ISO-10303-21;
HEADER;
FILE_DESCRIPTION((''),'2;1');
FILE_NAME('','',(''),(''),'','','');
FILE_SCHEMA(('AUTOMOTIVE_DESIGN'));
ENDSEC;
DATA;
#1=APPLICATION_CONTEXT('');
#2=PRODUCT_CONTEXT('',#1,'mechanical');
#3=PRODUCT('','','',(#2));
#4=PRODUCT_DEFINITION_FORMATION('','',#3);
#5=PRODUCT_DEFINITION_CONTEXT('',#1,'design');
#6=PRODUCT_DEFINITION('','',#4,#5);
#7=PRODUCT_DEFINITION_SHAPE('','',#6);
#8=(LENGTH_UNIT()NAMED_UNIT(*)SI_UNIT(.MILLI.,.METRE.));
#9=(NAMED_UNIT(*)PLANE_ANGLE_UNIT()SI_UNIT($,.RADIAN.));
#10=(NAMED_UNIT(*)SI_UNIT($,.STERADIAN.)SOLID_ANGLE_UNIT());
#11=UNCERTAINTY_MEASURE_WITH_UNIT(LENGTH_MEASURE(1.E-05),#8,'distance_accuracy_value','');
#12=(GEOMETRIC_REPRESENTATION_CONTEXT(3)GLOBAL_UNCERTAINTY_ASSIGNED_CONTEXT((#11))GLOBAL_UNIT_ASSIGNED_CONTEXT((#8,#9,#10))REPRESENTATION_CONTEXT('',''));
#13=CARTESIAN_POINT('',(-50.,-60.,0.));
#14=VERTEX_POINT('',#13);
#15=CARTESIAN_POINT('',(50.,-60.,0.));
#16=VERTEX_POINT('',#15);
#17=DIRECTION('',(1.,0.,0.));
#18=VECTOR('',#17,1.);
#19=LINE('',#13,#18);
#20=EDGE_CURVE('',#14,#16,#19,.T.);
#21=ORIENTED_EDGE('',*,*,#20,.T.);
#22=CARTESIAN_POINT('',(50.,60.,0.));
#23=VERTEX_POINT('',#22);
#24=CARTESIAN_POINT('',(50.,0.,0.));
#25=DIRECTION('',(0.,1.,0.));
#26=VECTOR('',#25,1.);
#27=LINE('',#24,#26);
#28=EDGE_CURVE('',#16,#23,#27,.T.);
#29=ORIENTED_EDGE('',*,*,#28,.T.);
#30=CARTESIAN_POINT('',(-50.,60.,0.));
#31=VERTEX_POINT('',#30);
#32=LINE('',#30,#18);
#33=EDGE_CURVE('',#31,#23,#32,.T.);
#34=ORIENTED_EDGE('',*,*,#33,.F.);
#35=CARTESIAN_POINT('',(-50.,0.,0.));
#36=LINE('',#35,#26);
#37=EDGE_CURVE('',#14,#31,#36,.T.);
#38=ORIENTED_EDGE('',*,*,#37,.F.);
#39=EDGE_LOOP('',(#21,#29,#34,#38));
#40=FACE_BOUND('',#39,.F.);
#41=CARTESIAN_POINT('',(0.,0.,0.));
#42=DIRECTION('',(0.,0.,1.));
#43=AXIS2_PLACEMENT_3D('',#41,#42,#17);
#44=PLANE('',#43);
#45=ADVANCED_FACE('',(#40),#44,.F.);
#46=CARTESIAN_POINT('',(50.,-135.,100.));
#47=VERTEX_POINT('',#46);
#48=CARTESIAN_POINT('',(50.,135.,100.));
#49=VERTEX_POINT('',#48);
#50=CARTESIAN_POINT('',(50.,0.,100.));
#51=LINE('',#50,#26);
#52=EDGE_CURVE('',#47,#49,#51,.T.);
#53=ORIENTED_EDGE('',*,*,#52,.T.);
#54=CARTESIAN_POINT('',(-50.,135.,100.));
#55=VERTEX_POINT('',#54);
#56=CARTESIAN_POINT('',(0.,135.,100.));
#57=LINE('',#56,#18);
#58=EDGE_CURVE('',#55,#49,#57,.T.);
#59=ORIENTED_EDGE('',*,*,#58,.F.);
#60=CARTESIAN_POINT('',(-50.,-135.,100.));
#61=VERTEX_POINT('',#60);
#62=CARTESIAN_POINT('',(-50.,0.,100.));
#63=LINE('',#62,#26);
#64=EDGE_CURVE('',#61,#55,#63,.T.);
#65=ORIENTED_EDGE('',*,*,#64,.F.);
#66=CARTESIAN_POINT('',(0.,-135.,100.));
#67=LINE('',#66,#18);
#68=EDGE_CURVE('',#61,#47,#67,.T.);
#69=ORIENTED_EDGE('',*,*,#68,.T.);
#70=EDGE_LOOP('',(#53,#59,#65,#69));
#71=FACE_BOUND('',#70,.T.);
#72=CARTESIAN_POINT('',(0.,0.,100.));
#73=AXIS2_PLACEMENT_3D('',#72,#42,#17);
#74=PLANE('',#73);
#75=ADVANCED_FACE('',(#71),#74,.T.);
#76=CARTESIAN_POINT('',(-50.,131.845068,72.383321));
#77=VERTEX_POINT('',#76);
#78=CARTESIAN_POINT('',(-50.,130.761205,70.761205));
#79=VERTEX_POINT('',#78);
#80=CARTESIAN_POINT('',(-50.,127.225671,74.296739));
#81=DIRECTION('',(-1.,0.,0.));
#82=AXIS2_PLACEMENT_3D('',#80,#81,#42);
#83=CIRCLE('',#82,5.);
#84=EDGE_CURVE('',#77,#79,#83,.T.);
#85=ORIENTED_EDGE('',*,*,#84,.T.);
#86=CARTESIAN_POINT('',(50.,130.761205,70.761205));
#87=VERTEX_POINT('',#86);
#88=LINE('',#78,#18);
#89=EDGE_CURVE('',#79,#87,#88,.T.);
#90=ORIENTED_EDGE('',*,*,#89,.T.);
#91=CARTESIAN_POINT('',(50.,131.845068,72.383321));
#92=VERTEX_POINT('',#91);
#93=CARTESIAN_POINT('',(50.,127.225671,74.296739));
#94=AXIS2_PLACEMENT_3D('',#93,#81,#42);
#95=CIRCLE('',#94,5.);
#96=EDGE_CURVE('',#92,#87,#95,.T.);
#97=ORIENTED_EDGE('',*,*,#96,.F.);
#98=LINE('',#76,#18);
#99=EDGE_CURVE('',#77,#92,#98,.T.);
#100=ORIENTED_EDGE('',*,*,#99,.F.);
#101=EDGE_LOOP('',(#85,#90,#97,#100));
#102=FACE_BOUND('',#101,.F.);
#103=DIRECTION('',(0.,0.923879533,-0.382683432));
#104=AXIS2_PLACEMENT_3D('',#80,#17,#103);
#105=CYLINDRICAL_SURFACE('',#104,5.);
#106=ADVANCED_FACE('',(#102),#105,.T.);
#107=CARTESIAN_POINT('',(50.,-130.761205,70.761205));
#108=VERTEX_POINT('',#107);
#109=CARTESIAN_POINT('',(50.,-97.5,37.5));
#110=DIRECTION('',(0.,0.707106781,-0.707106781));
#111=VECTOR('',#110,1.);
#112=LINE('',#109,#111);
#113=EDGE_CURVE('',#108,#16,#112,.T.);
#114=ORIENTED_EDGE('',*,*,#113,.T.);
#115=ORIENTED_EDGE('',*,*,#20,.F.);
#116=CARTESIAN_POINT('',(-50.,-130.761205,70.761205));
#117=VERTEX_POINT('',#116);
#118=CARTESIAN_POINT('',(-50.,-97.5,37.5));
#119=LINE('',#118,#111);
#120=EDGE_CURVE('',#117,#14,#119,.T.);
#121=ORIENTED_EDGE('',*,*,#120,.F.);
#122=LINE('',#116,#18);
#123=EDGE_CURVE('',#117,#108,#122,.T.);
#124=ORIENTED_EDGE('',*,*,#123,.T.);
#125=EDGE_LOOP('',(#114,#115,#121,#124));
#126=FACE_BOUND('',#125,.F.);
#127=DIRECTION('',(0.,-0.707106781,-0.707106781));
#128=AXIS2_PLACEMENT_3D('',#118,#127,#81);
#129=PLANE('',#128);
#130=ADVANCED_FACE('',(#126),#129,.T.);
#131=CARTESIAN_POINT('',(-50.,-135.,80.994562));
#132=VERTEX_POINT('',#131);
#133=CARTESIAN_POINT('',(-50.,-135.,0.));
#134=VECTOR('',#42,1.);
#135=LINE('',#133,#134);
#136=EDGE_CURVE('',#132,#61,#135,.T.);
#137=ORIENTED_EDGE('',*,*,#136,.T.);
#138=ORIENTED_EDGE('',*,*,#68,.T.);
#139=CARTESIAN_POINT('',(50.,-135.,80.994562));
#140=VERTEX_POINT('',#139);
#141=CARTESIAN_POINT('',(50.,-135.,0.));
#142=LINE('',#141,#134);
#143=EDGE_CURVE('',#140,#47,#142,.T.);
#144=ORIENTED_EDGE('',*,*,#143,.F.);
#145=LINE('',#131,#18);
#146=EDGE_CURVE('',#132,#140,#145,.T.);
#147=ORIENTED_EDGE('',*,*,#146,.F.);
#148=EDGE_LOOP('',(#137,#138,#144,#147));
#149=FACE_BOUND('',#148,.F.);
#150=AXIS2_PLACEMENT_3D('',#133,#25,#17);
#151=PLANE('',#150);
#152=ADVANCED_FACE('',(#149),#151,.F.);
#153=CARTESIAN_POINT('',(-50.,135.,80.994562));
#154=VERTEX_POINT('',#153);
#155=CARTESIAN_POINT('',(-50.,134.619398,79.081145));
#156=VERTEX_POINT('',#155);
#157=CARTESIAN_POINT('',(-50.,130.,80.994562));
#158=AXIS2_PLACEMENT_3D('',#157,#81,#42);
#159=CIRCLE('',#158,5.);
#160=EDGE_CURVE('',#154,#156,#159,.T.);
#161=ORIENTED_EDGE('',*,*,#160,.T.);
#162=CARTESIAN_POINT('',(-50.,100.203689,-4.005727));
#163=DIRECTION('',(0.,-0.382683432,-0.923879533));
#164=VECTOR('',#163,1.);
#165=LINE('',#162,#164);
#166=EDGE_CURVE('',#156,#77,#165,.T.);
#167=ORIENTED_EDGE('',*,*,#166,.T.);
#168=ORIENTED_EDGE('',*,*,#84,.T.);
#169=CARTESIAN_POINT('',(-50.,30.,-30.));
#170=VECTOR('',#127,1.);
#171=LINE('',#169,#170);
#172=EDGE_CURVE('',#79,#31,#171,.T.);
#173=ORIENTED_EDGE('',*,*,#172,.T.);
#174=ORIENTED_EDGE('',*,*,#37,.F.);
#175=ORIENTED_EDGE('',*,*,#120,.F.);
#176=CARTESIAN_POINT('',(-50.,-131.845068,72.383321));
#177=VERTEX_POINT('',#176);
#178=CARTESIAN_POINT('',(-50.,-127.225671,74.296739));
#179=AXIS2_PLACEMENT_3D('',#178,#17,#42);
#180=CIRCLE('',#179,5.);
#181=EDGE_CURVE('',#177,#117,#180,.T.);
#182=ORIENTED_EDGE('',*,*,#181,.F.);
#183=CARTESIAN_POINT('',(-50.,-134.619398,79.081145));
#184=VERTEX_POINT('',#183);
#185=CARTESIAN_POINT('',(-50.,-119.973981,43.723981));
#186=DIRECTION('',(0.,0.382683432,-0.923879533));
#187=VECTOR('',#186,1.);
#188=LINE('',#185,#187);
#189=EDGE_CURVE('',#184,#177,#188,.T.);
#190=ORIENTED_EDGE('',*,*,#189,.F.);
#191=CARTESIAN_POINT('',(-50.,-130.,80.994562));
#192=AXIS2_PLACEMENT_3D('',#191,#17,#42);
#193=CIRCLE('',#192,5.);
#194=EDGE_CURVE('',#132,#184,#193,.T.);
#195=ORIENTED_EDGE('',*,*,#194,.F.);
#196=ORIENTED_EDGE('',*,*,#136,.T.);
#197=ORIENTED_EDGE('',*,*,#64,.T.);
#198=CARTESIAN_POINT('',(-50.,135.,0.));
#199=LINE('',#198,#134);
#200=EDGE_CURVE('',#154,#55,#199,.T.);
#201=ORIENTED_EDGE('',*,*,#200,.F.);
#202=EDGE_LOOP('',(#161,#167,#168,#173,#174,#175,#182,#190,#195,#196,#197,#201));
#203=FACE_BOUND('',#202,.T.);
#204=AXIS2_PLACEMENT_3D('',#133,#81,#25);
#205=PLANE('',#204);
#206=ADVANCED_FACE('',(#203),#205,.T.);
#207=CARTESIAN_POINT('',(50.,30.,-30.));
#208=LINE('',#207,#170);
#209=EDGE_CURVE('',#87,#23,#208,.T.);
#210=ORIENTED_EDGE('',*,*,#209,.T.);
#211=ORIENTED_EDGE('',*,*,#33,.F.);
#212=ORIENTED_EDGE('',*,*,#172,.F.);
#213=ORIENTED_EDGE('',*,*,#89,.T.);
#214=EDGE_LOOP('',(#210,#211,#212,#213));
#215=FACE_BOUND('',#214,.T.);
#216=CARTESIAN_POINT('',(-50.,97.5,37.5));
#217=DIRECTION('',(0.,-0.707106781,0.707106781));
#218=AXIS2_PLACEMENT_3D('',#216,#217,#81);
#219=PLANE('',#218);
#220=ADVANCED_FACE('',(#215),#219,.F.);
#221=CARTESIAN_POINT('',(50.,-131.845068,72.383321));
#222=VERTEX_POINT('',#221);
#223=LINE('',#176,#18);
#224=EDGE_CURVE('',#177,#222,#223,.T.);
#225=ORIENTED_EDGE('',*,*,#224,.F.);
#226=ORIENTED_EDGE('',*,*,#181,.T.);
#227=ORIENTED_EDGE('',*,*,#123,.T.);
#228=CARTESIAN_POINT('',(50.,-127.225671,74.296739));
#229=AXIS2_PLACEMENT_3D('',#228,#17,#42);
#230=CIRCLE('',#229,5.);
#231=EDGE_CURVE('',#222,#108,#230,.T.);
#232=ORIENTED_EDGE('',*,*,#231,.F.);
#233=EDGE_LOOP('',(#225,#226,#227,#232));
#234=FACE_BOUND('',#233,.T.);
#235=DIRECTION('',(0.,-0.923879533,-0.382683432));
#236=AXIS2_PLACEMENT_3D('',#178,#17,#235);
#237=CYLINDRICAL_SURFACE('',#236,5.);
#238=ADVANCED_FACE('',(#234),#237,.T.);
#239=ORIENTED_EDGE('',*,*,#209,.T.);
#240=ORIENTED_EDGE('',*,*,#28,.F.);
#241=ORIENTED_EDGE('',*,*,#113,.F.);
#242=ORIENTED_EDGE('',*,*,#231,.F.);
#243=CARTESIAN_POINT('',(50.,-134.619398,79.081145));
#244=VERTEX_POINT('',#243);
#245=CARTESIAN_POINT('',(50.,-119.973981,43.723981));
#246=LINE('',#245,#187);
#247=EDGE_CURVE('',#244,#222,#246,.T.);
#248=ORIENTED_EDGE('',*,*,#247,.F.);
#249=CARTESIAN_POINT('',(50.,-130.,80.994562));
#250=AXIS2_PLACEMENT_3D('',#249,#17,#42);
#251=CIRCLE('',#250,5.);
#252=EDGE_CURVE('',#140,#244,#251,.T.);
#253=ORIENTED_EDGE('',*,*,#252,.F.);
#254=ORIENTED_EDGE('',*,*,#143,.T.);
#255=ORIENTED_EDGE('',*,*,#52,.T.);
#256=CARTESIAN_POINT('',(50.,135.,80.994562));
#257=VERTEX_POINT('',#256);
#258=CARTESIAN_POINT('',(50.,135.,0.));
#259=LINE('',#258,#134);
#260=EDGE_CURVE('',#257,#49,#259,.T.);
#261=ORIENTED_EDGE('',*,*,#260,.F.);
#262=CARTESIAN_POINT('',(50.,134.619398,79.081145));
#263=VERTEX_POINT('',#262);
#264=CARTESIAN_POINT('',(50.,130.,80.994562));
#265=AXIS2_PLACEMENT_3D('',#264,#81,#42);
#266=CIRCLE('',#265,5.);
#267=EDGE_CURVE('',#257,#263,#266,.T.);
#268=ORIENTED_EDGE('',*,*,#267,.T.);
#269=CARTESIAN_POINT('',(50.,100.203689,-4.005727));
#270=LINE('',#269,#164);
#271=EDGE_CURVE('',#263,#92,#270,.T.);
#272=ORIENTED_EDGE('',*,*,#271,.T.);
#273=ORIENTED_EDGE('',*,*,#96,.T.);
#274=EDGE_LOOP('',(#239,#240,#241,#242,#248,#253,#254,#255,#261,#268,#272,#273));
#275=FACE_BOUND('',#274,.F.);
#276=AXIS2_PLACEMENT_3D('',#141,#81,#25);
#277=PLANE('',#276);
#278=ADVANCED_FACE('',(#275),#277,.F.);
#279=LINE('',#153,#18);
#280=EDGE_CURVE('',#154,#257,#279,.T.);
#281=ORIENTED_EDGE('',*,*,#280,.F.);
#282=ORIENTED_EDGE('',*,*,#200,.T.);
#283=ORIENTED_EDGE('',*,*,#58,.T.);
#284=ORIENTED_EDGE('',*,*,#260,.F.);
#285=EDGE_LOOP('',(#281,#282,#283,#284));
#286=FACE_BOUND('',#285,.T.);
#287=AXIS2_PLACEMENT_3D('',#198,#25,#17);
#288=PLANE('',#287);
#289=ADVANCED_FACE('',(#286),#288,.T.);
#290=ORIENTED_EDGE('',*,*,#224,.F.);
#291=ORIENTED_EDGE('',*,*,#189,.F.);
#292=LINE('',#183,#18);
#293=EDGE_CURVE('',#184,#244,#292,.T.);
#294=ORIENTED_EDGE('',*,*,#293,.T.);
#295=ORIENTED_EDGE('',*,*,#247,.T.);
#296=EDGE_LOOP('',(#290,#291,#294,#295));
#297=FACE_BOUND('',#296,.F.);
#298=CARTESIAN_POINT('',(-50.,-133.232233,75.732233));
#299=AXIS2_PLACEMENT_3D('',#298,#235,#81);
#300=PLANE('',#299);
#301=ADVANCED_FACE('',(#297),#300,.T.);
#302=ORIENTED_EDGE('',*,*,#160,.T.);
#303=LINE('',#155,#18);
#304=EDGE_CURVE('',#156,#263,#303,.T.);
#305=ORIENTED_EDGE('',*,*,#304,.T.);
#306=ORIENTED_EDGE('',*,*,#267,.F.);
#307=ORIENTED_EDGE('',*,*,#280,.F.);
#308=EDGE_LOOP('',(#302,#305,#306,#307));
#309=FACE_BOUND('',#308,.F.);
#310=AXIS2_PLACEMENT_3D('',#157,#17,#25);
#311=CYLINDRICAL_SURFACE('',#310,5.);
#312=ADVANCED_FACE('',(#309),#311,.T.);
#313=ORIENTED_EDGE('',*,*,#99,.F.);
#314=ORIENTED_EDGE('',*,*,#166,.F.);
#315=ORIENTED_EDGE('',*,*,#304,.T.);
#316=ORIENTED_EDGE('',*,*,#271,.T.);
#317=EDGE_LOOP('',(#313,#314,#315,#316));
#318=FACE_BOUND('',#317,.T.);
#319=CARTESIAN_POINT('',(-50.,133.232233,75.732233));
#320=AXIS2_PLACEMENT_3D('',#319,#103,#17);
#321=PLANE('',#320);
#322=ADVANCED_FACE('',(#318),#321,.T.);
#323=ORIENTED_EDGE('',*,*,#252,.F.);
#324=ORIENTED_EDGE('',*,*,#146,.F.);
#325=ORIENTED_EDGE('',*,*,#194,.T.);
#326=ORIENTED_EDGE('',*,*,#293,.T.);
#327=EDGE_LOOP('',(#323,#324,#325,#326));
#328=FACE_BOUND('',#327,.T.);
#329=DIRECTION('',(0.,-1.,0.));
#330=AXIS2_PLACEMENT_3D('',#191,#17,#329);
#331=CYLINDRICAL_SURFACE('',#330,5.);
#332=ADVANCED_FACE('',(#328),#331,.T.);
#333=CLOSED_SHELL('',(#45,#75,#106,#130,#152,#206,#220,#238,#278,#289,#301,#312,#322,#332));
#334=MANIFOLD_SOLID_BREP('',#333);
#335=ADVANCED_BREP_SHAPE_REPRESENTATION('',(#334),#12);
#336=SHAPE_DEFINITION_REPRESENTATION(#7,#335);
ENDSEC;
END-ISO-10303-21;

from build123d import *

# Parameters (mm, degrees)
F0_W     = 100
F0_H     = 270
F1_DEPTH = 100
F2_SIZE  = 75
F3_SIZE  = 5
F4_R     = 5


with BuildPart() as f1:
    # F0 (on Top) → F1 (new body)
    with BuildSketch(Plane.XY):
        Rectangle(F0_W, F0_H)
    extrude(amount=F1_DEPTH)

    # F2
    f2_edges = [f1.edges().sort_by_distance(p)[0] for p in [
        (0, -135, 0),
        (0, 135, 0),
    ]]
    chamfer(f2_edges, length=F2_SIZE)

    # F3
    f3_edges = [f1.edges().sort_by_distance(p)[0] for p in [
        (0, -135, 75),
        (0, 135, 75),
    ]]
    chamfer(f3_edges, length=F3_SIZE)

    # F4
    f4_edges = [f1.edges().sort_by_distance(p)[0] for p in [
        (0, 135, 80),
        (0, 131.464466, 71.464466),
        (0, -135, 80),
        (0, -131.464466, 71.464466),
    ]]
    fillet(f4_edges, radius=F4_R)


solid = f1.part
